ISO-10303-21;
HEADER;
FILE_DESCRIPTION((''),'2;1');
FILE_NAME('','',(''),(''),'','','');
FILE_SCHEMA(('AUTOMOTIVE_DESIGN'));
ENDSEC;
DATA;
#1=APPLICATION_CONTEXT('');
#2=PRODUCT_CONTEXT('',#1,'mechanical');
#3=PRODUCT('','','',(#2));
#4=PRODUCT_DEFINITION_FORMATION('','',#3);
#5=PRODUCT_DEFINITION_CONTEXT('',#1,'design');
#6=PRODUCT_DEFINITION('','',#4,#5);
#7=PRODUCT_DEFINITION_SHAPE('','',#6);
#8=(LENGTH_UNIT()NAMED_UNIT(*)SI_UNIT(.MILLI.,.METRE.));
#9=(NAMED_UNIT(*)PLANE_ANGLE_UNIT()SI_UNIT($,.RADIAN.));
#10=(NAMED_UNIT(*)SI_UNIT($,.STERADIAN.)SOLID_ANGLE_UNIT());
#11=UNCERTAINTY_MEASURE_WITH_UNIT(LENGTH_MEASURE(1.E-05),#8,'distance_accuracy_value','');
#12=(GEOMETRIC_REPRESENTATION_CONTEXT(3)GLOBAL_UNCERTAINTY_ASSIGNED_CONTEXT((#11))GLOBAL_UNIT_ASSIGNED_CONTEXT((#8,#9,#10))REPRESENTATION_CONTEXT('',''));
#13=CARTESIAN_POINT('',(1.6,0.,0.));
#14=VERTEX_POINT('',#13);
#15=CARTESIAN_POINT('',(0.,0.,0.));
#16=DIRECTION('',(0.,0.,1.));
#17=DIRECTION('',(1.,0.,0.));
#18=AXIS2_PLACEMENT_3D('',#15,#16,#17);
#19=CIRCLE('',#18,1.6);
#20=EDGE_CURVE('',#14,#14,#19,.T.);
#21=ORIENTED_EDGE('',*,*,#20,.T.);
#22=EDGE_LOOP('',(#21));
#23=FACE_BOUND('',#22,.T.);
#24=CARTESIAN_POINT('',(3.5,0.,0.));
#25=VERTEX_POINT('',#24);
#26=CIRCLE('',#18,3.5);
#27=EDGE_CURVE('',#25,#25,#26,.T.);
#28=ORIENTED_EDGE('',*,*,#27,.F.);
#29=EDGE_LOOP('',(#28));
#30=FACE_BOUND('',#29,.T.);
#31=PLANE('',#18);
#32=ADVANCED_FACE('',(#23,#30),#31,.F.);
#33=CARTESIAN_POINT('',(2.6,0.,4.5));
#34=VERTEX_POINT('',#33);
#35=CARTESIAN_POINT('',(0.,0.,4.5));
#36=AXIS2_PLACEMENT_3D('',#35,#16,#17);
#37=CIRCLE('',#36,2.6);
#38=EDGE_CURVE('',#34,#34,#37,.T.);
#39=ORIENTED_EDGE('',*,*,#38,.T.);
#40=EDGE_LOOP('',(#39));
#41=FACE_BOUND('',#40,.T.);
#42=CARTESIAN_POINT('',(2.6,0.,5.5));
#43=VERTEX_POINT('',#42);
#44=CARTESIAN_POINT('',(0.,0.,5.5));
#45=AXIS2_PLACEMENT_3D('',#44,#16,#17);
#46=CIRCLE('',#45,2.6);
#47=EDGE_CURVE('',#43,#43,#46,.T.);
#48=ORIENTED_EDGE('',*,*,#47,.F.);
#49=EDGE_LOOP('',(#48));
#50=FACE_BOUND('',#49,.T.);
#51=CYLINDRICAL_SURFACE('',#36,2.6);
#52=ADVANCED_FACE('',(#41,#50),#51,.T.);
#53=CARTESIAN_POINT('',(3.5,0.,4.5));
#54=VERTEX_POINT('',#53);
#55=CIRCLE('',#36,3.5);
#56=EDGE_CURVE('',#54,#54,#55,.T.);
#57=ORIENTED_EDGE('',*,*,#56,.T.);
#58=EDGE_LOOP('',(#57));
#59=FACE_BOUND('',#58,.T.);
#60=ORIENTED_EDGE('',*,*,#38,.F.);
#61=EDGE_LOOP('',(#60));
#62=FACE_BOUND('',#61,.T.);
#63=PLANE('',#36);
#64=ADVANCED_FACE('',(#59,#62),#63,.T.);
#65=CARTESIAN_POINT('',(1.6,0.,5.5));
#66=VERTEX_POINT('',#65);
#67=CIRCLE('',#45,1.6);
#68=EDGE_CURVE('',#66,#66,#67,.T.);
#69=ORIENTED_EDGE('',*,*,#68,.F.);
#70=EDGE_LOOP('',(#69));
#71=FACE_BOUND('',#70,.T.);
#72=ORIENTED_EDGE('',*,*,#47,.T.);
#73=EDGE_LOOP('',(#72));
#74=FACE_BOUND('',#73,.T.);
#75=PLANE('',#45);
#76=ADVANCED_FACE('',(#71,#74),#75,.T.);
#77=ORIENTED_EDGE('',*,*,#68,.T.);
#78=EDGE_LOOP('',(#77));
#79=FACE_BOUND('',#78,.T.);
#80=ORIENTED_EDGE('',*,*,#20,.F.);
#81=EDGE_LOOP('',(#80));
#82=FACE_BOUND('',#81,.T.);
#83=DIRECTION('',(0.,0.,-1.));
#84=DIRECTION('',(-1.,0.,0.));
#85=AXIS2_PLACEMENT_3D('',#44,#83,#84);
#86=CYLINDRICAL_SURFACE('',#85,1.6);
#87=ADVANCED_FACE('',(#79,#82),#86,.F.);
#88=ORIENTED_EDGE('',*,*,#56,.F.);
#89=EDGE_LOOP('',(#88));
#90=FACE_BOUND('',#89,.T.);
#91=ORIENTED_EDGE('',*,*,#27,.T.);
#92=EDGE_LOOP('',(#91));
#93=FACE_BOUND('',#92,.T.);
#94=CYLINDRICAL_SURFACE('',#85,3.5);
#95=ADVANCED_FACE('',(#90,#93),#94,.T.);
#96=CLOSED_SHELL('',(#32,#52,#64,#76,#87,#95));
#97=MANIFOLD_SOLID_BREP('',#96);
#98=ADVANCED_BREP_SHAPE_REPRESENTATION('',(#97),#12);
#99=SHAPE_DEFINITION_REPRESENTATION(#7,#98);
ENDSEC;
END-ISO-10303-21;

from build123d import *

# Parameters (mm, degrees)
SKETCH_1_R          = 3.5
SKETCH_1_R_2        = 1.6
EXTRUDE_1_DEPTH     = 5.5
SKETCH_2_OUTSIDE_W  = 11.264
SKETCH_2_OUTSIDE_H  = 11.264
SKETCH_2_OUTSIDE_R  = 2.6
CUT_EXTRUDE_1_DEPTH = 1


with BuildPart() as part:
    # Эскиз1 → Бобышка-Вытянуть1 (new body)
    with BuildSketch(Plane.XY):
        Circle(SKETCH_1_R)
        Circle(SKETCH_1_R_2, mode=Mode.SUBTRACT)
    extrude(amount=EXTRUDE_1_DEPTH)

    # Эскиз2 outside → Вырез-Вытянуть1 (cut)
    with BuildSketch(Plane.XY.offset(5.5)):
        Rectangle(SKETCH_2_OUTSIDE_W, SKETCH_2_OUTSIDE_H)
        Circle(SKETCH_2_OUTSIDE_R, mode=Mode.SUBTRACT)
    extrude(amount=-CUT_EXTRUDE_1_DEPTH, mode=Mode.SUBTRACT)


solid = part.part
